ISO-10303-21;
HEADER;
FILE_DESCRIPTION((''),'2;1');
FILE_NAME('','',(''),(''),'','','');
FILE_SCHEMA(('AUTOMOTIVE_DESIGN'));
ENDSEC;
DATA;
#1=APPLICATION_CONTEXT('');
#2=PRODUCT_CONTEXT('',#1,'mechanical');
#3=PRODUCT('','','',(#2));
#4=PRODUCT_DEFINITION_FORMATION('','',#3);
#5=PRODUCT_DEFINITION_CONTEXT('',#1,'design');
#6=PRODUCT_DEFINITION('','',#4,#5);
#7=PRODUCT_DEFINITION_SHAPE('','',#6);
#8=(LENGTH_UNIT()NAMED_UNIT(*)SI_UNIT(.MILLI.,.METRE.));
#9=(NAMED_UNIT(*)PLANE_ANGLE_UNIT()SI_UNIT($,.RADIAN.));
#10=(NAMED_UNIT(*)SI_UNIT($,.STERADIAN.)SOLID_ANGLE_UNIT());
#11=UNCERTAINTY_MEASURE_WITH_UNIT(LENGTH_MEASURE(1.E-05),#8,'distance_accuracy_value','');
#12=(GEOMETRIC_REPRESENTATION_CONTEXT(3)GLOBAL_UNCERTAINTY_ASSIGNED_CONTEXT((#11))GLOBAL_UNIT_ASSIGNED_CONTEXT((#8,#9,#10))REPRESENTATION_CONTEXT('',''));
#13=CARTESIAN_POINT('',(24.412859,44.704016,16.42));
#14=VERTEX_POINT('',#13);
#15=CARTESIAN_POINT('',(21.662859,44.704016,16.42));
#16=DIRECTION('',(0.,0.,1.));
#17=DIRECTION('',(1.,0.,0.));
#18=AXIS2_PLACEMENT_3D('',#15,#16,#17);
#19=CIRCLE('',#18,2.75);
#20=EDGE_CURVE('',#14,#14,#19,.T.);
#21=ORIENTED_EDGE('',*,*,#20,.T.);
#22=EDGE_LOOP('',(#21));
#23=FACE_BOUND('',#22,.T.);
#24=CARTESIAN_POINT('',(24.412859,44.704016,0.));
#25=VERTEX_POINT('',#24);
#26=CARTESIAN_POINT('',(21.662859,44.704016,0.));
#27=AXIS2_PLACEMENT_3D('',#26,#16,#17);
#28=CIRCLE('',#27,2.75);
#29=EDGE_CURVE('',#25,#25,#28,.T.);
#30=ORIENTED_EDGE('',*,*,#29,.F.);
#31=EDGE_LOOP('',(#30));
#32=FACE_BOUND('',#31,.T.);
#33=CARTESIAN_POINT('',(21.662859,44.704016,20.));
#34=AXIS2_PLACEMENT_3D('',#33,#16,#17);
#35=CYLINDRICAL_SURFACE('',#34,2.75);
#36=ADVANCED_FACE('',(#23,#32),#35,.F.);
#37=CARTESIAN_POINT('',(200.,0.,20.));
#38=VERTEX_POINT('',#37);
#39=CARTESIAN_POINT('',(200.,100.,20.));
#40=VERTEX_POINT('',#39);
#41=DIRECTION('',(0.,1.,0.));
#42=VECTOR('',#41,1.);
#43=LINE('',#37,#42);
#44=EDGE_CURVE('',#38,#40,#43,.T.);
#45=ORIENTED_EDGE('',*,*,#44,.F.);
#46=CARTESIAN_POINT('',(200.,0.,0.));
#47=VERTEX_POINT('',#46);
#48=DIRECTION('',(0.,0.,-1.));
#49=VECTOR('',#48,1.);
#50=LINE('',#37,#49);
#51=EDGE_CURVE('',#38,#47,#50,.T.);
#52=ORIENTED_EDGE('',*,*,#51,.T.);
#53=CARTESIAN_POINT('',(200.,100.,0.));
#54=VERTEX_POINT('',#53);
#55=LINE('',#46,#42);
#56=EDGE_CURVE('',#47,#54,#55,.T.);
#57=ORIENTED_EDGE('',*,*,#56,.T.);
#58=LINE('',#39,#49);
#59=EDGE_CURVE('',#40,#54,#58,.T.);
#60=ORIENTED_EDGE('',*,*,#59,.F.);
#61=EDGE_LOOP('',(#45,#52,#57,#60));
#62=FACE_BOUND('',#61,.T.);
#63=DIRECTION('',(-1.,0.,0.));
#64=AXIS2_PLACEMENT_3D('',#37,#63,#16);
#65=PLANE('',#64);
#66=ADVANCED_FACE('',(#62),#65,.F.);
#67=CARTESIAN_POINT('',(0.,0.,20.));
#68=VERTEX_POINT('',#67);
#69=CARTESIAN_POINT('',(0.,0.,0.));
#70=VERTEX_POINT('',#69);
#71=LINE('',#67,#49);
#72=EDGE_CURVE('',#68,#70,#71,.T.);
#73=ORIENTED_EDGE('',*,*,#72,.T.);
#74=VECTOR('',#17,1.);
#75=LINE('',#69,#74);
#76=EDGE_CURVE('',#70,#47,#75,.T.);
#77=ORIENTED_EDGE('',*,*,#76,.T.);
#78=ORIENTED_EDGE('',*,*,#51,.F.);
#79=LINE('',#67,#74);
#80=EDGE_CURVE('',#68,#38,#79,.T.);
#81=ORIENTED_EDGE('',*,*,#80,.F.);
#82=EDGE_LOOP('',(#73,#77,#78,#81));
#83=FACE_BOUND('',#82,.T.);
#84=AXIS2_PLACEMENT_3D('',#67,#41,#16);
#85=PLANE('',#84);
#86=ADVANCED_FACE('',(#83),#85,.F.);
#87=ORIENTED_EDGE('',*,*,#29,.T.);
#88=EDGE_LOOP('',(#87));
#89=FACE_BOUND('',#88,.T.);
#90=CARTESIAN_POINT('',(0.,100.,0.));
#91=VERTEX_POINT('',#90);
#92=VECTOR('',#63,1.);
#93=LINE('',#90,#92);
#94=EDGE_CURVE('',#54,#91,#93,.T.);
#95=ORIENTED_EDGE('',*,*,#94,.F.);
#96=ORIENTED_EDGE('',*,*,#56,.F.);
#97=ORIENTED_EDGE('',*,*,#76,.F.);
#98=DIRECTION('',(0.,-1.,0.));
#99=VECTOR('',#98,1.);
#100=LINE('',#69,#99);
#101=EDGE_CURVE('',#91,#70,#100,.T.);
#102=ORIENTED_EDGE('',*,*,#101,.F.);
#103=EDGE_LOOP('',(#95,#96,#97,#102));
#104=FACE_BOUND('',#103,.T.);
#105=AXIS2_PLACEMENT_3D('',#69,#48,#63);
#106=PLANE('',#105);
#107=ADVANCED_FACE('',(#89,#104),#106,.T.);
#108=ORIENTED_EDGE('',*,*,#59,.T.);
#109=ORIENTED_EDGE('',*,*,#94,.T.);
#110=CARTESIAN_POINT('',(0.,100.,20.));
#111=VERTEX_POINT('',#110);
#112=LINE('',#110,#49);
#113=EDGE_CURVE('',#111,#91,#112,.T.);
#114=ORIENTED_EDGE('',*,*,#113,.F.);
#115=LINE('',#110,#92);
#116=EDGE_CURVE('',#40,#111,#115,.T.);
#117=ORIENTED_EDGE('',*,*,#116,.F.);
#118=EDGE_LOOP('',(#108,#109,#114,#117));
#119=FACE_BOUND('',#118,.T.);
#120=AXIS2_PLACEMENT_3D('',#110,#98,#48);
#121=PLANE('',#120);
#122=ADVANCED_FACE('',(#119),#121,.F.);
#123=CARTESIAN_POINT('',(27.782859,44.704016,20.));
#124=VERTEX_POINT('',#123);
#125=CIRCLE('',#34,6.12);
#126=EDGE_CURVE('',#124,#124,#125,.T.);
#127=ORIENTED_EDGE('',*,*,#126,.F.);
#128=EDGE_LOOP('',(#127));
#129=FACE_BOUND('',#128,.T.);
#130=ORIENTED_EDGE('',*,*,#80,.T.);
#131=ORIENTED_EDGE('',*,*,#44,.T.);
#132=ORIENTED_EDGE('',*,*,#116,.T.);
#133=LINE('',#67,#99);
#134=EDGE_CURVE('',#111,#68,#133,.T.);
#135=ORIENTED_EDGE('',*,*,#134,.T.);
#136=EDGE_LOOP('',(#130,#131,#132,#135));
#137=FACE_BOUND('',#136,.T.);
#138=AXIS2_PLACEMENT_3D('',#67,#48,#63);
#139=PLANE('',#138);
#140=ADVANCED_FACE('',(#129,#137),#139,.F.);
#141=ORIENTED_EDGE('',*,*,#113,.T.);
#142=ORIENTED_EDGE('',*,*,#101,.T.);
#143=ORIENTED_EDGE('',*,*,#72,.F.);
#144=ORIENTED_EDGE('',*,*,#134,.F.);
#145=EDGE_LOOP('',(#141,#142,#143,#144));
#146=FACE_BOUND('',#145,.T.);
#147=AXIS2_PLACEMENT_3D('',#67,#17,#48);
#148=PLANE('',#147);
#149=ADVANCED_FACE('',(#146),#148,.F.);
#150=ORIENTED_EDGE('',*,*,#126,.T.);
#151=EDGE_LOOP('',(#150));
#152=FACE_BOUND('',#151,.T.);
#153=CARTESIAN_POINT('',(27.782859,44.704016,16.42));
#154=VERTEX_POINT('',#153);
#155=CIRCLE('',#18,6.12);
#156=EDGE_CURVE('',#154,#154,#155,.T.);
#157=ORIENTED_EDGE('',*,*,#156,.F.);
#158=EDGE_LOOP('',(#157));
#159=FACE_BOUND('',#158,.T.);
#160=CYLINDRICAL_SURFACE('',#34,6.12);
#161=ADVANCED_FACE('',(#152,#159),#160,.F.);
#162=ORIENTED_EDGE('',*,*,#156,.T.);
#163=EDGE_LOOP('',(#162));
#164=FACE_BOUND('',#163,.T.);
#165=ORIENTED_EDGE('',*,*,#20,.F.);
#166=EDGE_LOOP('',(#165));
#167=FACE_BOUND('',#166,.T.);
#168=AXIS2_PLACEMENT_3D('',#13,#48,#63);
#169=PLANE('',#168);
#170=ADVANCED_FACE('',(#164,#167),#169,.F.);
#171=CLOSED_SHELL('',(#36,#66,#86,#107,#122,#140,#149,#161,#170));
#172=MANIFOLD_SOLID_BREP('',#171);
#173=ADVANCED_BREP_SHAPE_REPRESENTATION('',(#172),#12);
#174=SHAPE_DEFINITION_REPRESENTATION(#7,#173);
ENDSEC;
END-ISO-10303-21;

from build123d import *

# Parameters (mm, degrees)
SKETCH1_W                               = 200
SKETCH1_H                               = 100
BOSS_EXTRUDE1_DEPTH                     = 20
CBORE_FOR_M5_HEX_HEAD_BOLT1_D           = 5.5
CBORE_FOR_M5_HEX_HEAD_BOLT1_CBORE_D     = 12.24
CBORE_FOR_M5_HEX_HEAD_BOLT1_CBORE_DEPTH = 3.58


with BuildPart() as part:
    # Sketch1 → Boss-Extrude1 (new body)
    with BuildSketch(Plane.XY):
        with Locations((100, 50)):
            Rectangle(SKETCH1_W, SKETCH1_H)
    extrude(amount=BOSS_EXTRUDE1_DEPTH)

    # CBORE for M5 Hex Head Bolt1 (through all)
    with Locations(Plane.XY.offset(20)):
        with Locations((21.66285913, 44.704015598)):
            CounterBoreHole(CBORE_FOR_M5_HEX_HEAD_BOLT1_D / 2, CBORE_FOR_M5_HEX_HEAD_BOLT1_CBORE_D / 2, CBORE_FOR_M5_HEX_HEAD_BOLT1_CBORE_DEPTH)


solid = part.part
